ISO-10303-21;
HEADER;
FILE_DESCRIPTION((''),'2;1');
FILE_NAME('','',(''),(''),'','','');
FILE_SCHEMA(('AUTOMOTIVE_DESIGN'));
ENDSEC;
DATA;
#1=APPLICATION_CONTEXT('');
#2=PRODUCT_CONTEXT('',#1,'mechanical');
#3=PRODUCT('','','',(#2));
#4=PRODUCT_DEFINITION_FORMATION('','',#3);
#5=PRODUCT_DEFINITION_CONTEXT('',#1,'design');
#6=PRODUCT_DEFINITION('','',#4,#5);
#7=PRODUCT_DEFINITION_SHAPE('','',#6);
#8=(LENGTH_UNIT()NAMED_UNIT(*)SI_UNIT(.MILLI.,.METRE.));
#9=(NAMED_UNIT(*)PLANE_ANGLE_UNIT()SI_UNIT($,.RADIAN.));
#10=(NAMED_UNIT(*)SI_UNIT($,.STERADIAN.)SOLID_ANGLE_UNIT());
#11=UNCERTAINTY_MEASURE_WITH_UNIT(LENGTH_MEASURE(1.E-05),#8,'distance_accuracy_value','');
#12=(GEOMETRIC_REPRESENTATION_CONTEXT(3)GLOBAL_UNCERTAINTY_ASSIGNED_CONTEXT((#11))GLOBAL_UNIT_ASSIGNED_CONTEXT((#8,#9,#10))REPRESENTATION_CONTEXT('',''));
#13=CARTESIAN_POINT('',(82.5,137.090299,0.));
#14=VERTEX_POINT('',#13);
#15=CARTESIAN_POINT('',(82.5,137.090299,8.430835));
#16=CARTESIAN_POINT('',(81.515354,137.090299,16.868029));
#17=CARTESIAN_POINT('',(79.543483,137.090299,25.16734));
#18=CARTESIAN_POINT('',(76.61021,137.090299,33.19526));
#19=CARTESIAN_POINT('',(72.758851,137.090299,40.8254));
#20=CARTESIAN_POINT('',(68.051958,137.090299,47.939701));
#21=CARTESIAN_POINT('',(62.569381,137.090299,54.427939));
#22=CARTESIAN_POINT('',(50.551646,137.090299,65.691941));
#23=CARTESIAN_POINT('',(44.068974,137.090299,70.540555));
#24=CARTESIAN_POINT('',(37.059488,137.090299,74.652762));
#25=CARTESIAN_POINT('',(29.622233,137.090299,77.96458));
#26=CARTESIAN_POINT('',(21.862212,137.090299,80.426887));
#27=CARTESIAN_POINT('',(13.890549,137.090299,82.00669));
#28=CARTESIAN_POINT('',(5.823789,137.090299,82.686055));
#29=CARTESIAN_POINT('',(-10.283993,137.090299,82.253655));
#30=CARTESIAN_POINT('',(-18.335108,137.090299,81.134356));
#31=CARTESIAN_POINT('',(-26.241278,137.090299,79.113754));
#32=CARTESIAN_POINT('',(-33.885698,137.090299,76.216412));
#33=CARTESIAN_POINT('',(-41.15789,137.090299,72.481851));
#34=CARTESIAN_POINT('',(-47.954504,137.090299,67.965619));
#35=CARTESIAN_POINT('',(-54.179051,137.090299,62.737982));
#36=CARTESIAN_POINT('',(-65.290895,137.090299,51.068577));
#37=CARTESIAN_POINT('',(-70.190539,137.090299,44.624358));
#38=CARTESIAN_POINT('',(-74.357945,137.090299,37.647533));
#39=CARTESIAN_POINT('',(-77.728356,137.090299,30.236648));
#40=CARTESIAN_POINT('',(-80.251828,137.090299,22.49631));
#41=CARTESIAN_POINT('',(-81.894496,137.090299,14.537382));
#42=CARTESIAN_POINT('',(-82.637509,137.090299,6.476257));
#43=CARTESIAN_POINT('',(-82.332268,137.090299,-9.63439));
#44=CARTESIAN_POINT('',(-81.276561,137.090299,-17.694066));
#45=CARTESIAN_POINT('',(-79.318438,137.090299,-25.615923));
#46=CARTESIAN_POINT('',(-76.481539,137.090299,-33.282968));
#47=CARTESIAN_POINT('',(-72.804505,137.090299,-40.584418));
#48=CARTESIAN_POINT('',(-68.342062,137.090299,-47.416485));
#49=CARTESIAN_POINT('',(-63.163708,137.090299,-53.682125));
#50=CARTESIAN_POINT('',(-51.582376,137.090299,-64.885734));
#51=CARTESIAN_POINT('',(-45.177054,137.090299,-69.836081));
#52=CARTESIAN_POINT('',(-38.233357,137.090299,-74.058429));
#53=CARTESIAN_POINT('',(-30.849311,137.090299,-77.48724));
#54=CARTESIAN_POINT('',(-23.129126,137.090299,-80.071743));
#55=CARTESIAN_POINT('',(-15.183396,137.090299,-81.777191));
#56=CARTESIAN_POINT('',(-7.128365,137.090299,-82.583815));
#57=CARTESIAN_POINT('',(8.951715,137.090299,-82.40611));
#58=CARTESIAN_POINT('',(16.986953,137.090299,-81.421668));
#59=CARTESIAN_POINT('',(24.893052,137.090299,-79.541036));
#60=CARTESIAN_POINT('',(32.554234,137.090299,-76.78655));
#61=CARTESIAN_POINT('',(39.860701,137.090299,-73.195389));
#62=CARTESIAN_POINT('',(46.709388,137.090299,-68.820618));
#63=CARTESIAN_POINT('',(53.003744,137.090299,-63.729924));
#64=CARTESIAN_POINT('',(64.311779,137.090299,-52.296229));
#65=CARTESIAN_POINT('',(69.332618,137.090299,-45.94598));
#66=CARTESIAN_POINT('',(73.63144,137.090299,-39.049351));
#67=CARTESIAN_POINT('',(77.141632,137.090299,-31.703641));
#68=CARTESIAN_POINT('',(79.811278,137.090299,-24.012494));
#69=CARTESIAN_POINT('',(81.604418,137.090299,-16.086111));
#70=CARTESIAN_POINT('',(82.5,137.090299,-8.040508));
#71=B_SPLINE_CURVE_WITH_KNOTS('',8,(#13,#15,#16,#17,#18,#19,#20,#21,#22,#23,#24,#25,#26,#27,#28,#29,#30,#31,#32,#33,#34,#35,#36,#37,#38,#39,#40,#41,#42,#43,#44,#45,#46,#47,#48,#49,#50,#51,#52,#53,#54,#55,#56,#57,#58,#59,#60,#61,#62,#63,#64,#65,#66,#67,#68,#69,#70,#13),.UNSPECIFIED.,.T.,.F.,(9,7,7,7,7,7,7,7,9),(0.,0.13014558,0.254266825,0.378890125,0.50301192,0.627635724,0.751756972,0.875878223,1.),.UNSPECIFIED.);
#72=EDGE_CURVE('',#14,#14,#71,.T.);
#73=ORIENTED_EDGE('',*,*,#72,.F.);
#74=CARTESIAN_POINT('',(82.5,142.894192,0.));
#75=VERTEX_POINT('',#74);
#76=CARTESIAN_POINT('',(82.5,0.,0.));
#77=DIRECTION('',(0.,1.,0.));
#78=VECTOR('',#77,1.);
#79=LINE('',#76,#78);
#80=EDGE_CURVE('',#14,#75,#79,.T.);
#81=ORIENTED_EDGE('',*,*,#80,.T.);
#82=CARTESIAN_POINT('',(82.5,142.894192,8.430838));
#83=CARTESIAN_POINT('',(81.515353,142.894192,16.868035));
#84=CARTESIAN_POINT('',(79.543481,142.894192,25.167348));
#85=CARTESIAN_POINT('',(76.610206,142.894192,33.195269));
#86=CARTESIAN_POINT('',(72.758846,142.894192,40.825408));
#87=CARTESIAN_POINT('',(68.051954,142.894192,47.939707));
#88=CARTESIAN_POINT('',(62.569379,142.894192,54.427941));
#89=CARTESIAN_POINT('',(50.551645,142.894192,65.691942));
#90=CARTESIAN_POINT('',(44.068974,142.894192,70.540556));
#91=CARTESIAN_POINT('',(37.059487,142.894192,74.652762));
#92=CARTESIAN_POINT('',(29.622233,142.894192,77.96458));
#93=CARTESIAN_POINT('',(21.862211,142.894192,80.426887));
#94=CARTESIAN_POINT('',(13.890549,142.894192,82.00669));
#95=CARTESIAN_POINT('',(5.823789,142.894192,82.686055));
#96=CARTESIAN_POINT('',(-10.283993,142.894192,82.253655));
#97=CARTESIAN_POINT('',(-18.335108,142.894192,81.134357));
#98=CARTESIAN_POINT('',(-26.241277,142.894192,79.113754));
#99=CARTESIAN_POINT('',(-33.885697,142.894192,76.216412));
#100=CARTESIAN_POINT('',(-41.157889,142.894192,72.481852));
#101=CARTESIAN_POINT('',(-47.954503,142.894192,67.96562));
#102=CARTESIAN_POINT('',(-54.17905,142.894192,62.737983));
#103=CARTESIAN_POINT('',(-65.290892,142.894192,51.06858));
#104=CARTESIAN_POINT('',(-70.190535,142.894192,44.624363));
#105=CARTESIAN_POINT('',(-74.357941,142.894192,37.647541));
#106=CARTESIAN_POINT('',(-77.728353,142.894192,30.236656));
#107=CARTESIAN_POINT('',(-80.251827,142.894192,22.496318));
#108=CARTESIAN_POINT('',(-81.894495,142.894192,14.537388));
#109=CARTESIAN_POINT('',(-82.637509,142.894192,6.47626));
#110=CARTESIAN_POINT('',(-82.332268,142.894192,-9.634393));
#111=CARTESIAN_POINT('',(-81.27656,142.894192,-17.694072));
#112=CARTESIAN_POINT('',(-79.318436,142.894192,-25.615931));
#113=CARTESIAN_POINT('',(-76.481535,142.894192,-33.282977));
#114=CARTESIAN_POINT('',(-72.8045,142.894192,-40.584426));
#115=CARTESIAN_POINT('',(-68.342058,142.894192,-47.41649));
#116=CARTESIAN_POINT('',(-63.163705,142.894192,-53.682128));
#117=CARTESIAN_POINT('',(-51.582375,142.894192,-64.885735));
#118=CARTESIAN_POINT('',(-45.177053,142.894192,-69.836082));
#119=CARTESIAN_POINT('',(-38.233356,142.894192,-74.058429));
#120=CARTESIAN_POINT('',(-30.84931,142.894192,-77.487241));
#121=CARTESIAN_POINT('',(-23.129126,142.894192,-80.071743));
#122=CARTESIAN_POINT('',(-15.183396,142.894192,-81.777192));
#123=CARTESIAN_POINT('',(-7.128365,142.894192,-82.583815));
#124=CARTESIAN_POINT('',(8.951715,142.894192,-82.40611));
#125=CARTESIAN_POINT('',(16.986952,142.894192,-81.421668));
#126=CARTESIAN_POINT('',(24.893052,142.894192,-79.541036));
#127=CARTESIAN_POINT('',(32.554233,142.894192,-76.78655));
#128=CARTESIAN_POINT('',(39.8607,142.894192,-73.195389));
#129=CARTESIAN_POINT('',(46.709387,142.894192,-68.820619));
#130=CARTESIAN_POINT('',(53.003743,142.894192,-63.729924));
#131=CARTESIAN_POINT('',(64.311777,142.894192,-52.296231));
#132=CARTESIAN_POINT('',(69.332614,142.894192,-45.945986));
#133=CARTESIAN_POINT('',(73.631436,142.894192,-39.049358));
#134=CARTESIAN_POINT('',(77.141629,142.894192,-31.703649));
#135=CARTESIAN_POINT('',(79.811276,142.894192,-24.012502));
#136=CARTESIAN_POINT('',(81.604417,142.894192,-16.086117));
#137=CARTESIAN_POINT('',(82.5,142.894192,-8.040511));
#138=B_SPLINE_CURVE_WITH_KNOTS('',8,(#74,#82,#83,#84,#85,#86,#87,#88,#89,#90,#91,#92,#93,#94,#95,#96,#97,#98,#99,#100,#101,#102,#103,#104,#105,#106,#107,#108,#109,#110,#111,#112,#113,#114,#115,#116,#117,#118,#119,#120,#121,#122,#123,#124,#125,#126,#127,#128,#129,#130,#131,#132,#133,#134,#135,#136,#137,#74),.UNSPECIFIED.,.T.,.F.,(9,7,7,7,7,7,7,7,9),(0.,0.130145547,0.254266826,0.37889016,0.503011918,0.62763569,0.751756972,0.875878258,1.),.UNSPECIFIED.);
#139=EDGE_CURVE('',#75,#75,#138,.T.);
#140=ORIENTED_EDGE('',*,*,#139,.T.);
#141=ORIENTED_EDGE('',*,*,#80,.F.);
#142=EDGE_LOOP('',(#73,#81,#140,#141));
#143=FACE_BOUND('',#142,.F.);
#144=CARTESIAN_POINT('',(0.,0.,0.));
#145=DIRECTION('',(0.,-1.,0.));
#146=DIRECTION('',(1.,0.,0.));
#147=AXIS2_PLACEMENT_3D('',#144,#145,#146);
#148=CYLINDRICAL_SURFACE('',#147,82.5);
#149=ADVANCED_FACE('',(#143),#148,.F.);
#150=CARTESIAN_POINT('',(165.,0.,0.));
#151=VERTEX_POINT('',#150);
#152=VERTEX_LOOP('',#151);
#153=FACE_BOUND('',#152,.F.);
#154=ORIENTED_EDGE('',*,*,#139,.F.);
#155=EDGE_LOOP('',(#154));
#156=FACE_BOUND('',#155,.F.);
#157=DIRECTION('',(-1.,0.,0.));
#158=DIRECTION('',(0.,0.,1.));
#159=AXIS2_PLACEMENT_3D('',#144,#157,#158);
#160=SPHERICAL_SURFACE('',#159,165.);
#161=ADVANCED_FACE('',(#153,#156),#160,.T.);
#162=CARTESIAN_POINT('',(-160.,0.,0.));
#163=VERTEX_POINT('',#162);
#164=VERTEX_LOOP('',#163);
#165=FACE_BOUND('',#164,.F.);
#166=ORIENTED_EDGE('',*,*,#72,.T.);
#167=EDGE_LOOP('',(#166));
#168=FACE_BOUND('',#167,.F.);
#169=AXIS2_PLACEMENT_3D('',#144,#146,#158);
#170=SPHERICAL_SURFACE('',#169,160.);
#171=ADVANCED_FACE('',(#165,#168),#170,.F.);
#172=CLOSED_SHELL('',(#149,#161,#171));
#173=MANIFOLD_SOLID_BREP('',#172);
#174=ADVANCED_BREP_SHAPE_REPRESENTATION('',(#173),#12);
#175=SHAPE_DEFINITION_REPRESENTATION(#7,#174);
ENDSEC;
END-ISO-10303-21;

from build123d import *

# Parameters (mm, degrees)
F2_R     = 82.5
F3_DEPTH = 165.001


with BuildPart() as f1:
    # F0 (on Front) → F1 (revolve)
    with BuildSketch(Plane.XZ):
        with BuildLine():
            ThreePointArc((-160, 0), (0, 160), (160, 0))
            Line((160, 0), (165, 0))
            ThreePointArc((165, 0), (0, 165), (-165, 0))
            Line((-165, 0), (-160, 0))
        make_face()
    revolve(axis=Axis((-162.5, 0, 0), (1, 0, 0)))

    # F2 (on Front) → F3 (cut, through all)
    with BuildSketch(Plane.XZ):
        Circle(F2_R)
    extrude(amount=-F3_DEPTH, mode=Mode.SUBTRACT)


solid = f1.part
